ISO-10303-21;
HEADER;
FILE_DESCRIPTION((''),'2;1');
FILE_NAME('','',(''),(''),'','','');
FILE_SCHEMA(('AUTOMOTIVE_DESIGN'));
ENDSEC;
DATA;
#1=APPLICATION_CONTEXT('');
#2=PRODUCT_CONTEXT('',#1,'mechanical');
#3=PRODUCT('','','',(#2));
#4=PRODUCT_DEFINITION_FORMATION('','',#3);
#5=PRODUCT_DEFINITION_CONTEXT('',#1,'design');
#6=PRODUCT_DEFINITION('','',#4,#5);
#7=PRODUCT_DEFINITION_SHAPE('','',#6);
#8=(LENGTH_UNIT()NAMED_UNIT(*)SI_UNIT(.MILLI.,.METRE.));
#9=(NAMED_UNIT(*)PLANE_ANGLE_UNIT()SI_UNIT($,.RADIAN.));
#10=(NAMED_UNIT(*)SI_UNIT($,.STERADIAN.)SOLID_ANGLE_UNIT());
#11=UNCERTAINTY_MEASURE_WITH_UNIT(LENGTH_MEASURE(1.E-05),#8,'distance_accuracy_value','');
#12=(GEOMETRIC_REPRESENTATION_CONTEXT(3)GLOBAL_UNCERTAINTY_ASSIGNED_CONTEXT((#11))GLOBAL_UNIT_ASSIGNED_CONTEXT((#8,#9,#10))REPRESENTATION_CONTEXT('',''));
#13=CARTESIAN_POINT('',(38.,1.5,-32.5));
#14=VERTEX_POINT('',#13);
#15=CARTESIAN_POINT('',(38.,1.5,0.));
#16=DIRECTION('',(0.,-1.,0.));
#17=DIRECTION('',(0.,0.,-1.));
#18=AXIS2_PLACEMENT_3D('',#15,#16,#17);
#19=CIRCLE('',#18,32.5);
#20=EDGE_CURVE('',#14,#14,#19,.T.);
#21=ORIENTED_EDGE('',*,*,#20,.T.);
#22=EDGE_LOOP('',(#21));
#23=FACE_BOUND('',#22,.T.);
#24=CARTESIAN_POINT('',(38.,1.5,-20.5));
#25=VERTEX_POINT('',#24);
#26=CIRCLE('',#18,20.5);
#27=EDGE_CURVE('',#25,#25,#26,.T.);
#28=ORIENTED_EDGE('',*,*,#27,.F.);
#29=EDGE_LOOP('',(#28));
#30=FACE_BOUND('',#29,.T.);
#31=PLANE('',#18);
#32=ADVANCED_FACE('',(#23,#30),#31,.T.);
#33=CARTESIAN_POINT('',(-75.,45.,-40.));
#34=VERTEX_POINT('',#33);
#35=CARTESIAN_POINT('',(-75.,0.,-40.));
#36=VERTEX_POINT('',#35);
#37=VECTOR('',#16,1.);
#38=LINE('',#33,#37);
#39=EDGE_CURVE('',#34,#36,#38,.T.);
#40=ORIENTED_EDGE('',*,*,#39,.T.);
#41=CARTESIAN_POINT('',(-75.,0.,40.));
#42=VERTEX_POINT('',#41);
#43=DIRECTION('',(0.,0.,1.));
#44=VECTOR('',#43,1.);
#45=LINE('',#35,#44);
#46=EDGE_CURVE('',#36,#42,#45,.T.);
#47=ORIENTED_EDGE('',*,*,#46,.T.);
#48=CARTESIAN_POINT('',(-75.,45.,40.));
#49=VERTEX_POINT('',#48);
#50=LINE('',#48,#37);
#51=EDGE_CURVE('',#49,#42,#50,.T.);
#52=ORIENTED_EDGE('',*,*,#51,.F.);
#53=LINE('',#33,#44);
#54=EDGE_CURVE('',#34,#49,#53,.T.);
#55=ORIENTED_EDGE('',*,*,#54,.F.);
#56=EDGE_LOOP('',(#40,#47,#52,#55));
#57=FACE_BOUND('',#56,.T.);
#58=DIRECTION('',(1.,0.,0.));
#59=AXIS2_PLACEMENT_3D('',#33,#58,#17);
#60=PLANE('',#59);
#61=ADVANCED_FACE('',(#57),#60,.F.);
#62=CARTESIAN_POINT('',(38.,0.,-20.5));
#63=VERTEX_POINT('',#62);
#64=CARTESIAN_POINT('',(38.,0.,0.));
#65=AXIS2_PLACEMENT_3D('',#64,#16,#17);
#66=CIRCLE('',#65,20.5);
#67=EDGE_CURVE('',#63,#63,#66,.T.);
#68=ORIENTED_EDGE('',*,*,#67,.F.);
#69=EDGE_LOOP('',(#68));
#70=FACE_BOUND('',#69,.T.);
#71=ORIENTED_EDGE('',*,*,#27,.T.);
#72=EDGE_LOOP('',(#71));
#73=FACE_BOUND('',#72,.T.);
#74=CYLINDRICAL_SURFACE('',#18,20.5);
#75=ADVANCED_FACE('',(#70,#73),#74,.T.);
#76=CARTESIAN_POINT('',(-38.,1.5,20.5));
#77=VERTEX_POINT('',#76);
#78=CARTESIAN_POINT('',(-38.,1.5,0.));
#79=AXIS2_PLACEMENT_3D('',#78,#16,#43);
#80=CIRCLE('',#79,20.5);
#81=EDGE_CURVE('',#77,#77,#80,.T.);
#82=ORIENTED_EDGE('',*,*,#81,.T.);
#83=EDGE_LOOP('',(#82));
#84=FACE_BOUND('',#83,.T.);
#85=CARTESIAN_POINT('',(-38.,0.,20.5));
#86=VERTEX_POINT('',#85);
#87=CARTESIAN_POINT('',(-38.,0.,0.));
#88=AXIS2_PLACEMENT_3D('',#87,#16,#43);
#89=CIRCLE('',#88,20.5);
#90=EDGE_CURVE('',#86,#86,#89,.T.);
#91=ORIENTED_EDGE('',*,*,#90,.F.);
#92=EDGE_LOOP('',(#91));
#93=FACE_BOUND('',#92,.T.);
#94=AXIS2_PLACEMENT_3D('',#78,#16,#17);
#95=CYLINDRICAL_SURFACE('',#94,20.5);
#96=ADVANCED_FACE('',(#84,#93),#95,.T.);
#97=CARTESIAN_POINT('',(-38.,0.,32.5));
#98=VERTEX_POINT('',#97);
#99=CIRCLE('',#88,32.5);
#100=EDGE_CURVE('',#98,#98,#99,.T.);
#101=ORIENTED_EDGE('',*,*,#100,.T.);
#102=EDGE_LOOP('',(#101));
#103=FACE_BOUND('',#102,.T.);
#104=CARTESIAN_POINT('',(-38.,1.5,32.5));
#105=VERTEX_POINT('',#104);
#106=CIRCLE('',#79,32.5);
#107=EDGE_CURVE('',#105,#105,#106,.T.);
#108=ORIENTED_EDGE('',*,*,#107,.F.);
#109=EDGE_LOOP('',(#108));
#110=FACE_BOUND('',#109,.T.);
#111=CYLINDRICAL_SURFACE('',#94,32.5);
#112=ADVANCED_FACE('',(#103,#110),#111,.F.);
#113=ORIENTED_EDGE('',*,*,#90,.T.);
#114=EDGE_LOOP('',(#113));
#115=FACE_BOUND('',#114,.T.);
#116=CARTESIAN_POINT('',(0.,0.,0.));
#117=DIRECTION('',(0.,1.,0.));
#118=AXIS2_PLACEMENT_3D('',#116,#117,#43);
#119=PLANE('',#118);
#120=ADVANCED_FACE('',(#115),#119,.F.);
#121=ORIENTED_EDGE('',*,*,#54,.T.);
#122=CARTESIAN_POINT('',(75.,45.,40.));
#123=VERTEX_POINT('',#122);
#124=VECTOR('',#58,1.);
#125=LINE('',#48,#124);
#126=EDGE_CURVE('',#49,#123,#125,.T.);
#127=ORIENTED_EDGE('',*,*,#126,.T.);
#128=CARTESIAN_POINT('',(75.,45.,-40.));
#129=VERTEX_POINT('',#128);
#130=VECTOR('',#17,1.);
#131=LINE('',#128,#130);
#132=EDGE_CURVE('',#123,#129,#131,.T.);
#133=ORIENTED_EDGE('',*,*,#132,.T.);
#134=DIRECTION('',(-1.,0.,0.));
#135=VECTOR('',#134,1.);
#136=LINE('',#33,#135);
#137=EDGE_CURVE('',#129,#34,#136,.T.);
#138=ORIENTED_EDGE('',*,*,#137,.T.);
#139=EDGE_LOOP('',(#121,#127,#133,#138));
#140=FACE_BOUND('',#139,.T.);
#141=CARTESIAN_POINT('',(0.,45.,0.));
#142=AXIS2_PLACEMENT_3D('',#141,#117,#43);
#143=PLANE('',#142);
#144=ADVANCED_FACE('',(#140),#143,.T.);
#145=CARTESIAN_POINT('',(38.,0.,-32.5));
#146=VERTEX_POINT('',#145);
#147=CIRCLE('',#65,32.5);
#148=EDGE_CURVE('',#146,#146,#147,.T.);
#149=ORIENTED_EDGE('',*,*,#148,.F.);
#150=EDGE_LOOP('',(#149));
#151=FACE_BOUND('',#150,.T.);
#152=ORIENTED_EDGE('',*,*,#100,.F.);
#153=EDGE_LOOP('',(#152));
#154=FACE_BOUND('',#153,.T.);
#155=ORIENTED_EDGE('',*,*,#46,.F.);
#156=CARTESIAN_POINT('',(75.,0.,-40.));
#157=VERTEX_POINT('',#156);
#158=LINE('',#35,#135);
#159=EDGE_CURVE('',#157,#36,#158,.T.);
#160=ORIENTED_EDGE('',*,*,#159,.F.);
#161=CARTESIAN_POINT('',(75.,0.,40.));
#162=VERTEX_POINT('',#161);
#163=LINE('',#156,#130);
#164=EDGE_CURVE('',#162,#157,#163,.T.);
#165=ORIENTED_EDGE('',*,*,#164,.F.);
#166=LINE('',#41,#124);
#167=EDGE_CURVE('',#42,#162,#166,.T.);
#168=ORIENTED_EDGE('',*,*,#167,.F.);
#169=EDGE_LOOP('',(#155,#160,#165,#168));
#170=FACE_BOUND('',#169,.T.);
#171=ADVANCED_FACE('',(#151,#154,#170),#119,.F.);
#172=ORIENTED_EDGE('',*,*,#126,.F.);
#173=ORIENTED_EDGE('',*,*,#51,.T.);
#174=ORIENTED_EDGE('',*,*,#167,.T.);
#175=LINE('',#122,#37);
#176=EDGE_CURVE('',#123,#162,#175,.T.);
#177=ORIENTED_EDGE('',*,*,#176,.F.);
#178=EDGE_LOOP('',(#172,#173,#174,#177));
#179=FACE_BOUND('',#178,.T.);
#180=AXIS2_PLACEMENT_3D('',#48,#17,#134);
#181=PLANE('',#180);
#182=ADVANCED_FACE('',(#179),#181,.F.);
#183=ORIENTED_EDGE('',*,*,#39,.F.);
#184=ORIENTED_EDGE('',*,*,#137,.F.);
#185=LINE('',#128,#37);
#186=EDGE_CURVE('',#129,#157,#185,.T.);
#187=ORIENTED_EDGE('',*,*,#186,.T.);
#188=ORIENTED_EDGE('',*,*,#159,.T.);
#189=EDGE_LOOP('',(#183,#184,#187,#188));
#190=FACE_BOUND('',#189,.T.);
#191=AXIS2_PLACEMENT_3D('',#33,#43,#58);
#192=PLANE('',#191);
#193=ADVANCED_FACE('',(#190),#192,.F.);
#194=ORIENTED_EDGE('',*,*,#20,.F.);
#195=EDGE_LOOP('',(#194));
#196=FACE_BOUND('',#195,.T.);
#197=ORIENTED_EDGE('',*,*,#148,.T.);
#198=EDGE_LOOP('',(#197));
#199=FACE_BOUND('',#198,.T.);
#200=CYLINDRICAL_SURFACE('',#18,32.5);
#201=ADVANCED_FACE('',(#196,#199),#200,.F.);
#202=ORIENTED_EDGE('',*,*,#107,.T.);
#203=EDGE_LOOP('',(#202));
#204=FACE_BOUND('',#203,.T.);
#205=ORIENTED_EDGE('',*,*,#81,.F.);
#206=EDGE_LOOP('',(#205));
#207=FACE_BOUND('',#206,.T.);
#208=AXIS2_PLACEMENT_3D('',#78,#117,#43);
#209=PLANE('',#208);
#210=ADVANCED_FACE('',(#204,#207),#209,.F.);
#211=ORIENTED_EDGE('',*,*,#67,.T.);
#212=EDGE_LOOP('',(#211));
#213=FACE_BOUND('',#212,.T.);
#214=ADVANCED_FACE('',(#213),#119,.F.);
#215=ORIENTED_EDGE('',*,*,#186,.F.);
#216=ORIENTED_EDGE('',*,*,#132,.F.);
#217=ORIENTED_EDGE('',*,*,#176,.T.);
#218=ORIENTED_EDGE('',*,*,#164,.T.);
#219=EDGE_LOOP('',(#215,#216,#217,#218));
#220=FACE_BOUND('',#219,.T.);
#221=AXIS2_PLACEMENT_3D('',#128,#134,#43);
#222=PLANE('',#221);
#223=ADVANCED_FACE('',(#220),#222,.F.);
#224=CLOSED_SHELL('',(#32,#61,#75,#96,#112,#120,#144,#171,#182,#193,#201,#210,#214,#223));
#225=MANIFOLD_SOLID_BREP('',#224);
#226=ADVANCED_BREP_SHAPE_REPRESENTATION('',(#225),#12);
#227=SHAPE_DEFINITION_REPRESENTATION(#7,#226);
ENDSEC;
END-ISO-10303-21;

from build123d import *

# Parameters (mm, degrees)
SKETCH_1_W          = 150
SKETCH_1_H          = 80
EXTRUDE_1_DEPTH     = 45
SKETCH_2_R          = 32.5
SKETCH_2_R_2        = 20.5
CUT_EXTRUDE_1_DEPTH = 1.5


with BuildPart() as part:
    # 草图1 → 凸台-拉伸1 (new body)
    with BuildSketch(Plane(origin=(0, 0, 0), x_dir=(1, 0, 0), z_dir=(0, 1, 0))):
        Rectangle(SKETCH_1_W, SKETCH_1_H)
    extrude(amount=EXTRUDE_1_DEPTH)

    # 草图2 → 切除-拉伸1 (cut)
    with BuildSketch(Plane.XZ):
        with Locations((38, 0)):
            Circle(SKETCH_2_R)
        with Locations((38, 0)):
            Circle(SKETCH_2_R_2, mode=Mode.SUBTRACT)
        with Locations((-38, 0)):
            Circle(SKETCH_2_R)
        with Locations((-38, 0)):
            Circle(SKETCH_2_R_2, mode=Mode.SUBTRACT)
    extrude(amount=-CUT_EXTRUDE_1_DEPTH, mode=Mode.SUBTRACT)


solid = part.part
